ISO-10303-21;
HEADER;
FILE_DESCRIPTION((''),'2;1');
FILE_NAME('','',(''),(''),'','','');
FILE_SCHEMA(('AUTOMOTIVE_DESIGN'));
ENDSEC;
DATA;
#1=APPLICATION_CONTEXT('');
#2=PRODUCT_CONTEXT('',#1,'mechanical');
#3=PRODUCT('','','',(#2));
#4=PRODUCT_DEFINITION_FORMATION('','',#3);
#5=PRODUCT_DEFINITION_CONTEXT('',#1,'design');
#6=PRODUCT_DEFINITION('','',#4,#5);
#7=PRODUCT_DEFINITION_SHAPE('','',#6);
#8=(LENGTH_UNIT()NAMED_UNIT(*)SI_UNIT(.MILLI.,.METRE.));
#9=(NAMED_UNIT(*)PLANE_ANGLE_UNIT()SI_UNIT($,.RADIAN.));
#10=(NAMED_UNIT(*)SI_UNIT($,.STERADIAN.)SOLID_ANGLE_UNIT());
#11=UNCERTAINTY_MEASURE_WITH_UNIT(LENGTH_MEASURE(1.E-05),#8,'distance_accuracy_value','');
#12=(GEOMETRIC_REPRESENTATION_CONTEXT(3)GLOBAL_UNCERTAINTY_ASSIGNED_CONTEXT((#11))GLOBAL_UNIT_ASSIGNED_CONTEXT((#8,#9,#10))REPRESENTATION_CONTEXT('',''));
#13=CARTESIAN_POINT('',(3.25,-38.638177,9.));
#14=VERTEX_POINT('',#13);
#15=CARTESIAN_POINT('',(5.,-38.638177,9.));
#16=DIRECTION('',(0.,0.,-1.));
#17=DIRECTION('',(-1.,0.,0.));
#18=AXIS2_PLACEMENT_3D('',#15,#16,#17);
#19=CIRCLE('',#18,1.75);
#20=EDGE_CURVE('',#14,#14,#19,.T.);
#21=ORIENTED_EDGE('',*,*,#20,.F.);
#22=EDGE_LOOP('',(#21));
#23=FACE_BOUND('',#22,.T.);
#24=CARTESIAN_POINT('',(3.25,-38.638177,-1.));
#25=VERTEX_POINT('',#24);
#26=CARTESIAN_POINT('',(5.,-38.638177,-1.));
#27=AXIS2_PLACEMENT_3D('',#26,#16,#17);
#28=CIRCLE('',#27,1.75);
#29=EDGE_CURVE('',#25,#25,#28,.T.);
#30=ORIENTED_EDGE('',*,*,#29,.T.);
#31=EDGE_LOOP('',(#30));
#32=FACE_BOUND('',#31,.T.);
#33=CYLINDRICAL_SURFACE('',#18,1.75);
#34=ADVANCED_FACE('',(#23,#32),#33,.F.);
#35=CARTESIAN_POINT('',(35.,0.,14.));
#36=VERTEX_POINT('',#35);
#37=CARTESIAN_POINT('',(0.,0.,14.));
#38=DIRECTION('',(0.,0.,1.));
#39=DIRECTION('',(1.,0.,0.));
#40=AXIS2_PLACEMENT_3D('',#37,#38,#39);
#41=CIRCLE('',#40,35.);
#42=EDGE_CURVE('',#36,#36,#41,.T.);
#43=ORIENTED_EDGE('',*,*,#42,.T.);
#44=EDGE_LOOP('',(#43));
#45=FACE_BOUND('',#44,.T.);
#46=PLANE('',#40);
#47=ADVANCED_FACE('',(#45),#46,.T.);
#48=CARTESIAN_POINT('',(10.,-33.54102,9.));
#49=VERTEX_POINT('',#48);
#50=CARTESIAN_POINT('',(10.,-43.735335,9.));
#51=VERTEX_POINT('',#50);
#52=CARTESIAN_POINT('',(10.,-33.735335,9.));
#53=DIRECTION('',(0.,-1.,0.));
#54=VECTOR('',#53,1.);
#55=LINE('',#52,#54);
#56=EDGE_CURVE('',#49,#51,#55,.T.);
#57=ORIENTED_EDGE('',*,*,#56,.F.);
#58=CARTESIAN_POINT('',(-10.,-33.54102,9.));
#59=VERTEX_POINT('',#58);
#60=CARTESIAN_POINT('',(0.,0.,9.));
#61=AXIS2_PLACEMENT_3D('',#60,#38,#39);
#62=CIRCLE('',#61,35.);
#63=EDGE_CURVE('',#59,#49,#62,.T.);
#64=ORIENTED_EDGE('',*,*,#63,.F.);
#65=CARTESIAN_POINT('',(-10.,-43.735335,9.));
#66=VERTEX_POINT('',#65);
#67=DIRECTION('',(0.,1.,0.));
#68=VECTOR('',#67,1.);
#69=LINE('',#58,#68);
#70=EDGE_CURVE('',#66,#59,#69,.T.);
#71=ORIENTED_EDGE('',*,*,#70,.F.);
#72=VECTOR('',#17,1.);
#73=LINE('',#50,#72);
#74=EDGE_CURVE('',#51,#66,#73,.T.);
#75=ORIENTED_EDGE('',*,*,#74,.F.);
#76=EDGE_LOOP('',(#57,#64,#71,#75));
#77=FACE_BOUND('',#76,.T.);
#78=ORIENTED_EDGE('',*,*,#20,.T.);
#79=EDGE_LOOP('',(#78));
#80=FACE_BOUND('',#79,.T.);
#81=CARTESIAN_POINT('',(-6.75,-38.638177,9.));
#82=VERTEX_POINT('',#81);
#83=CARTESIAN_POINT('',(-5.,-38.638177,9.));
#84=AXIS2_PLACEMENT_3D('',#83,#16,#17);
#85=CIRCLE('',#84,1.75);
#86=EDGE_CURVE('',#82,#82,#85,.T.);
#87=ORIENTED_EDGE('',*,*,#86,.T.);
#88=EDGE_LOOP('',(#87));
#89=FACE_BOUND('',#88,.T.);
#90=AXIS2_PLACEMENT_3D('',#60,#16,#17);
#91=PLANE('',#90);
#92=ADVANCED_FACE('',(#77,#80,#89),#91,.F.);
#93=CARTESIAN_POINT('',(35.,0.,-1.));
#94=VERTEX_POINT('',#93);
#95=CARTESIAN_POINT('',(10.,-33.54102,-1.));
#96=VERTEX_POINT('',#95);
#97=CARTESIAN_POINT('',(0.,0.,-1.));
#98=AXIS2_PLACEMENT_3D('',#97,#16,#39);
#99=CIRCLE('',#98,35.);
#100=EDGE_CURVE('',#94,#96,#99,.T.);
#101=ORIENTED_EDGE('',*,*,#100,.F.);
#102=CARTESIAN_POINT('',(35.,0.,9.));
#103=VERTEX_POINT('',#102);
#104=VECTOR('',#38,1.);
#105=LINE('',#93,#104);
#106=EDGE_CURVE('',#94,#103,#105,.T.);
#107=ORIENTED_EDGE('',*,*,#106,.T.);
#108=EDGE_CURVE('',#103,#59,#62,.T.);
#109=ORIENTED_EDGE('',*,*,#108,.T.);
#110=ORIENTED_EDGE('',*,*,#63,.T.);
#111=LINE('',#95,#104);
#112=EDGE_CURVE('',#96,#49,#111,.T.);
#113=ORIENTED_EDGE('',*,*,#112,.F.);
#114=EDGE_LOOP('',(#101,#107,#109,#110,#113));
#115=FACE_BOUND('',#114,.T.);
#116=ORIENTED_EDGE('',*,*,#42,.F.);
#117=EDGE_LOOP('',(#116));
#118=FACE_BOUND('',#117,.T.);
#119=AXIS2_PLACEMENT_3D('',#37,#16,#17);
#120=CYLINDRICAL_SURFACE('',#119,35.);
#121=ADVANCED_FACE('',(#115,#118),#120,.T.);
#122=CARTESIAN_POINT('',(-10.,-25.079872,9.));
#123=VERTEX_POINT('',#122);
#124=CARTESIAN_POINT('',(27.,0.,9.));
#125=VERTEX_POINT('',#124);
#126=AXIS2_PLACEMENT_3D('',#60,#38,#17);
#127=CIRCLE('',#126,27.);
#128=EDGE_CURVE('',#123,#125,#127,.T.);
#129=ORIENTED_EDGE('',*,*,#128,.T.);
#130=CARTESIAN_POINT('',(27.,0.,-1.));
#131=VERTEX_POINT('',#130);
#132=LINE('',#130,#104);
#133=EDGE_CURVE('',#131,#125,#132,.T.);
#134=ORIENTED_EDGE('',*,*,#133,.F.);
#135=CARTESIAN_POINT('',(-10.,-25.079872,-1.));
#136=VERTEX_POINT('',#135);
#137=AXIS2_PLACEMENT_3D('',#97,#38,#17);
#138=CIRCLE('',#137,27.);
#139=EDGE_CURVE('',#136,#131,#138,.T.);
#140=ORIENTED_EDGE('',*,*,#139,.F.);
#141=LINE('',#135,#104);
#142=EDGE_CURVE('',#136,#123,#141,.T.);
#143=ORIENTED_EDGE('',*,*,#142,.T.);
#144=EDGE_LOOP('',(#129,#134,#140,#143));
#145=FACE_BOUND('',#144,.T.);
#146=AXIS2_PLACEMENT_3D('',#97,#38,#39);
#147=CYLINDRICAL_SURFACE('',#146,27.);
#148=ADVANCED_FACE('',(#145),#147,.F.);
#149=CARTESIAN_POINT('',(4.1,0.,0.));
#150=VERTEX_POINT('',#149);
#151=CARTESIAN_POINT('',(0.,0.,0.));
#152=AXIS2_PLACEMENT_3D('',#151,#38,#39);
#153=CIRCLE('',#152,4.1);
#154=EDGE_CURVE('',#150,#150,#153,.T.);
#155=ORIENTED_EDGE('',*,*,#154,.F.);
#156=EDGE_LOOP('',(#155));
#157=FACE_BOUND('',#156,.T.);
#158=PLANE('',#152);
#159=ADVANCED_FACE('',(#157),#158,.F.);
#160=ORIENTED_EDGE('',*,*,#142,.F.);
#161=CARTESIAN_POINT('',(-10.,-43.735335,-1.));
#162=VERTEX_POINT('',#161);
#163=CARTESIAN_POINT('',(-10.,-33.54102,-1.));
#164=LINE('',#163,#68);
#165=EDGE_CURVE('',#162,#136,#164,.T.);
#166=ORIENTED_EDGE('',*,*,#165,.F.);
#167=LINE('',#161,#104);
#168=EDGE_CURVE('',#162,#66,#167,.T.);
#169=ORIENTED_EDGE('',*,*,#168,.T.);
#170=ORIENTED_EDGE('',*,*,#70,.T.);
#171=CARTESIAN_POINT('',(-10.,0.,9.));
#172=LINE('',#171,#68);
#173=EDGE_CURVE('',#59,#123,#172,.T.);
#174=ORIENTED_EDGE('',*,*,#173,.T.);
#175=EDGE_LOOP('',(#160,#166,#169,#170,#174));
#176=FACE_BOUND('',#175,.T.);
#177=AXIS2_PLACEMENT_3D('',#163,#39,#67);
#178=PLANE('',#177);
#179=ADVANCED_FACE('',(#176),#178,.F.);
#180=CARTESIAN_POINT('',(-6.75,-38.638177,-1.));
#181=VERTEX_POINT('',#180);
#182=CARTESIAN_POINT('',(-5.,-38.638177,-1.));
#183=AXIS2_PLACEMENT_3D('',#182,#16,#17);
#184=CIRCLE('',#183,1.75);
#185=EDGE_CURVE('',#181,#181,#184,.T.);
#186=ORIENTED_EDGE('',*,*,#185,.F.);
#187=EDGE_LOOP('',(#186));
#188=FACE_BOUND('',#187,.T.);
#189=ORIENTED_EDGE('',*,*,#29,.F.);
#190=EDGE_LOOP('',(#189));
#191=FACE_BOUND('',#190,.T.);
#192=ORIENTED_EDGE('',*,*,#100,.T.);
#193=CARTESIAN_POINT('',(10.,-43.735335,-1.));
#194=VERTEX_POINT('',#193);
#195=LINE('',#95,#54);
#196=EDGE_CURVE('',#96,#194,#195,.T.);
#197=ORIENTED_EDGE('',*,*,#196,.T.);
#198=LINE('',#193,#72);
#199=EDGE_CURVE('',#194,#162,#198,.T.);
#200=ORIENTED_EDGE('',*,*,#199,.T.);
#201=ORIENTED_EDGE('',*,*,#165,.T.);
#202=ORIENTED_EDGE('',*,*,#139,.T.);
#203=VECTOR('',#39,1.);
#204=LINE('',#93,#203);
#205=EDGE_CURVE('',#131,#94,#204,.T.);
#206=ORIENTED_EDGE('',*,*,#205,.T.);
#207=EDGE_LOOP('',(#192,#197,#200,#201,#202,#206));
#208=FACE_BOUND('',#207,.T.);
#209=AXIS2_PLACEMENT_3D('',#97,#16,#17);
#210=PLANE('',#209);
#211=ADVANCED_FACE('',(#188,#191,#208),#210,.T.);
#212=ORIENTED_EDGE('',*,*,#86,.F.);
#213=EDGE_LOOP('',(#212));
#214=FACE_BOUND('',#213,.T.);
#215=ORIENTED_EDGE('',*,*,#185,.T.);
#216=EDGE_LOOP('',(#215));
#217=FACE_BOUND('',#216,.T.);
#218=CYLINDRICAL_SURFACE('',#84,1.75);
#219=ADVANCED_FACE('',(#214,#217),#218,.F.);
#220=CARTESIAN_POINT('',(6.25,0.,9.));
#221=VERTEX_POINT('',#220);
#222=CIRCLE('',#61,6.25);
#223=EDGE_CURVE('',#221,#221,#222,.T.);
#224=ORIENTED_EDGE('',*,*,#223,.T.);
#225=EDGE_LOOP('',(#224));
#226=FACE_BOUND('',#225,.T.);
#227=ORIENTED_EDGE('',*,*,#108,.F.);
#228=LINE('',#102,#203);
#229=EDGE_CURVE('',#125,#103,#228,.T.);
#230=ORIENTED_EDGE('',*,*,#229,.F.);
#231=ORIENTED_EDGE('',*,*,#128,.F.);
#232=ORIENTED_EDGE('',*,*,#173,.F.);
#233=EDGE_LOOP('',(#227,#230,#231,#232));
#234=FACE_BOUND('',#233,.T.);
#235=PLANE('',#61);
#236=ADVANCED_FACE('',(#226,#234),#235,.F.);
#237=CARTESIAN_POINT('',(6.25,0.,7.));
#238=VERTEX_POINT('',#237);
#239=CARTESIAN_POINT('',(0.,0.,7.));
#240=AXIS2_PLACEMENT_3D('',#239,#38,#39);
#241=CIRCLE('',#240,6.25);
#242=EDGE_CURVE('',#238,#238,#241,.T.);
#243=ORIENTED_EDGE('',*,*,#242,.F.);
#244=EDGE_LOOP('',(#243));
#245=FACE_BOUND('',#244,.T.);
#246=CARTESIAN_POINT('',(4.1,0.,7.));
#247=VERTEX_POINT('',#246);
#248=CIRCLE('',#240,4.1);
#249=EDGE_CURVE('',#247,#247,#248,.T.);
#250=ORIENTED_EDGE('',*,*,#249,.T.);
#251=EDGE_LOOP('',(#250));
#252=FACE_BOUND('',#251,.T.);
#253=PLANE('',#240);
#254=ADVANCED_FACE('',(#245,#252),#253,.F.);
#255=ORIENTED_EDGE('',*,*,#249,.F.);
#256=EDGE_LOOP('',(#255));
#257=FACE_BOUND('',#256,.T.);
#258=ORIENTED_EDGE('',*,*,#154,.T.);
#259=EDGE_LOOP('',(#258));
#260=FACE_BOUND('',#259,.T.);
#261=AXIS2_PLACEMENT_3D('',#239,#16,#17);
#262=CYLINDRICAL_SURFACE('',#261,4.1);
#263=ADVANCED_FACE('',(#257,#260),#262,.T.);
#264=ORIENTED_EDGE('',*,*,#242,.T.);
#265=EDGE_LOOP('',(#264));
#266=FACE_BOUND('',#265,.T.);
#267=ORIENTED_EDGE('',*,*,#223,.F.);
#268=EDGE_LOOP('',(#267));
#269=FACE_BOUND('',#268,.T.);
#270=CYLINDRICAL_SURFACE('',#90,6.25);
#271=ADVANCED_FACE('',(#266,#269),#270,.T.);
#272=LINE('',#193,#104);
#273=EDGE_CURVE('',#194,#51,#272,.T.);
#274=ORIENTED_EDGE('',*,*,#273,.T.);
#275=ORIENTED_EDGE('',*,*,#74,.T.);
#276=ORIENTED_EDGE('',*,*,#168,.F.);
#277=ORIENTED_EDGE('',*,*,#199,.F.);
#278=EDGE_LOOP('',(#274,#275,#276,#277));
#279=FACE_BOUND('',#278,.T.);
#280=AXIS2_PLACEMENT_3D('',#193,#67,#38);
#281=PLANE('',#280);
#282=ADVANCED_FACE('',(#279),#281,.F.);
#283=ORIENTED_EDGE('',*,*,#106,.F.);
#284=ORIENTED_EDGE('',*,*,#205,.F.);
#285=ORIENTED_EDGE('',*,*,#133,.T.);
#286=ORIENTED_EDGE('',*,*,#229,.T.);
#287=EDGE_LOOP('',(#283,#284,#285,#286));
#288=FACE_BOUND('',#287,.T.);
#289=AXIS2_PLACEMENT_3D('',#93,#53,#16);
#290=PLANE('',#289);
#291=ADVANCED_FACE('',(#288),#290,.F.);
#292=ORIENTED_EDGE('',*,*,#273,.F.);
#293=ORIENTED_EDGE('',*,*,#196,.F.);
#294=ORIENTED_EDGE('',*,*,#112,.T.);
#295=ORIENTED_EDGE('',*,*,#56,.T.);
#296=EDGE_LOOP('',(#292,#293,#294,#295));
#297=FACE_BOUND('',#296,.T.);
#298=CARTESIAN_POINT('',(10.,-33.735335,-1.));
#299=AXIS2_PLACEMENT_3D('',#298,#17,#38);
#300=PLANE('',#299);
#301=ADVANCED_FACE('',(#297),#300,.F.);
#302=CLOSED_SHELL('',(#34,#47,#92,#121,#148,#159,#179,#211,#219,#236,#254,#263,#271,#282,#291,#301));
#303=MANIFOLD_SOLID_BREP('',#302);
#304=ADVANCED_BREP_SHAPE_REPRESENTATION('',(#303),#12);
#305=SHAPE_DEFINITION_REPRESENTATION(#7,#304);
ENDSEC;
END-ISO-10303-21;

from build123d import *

# Parameters (mm, degrees)
SKETCH1_R               = 4.1
BOSS_EXTRUDE1_DEPTH     = 7
SKETCH2_R               = 6.25
BOSS_EXTRUDE2_DEPTH     = 2
SKETCH3_R               = 35
BOSS_EXTRUDE3_DEPTH     = 5
SKETCH4_R               = 25
BOSS_EXTRUDE4_DEPTH     = 5
SKETCH5_R               = 30
BOSS_EXTRUDE5_DEPTH     = 2
FILLET1_R               = 2
FILLET2_R               = 2
SKETCH6_R               = 1.5
CUT_EXTRUDE1_DEPTH      = 36
CUT_EXTRUDE1_DEPTH_BACK = 36
BOSS_EXTRUDE6_DEPTH     = 10
SKETCH9_R               = 1.75
CUT_EXTRUDE2_DEPTH      = 10
SKETCH10_R              = 52.509710967
CUT_EXTRUDE3_DEPTH      = 40


with BuildPart() as part:
    # Sketch1 → Boss-Extrude1 (new body)
    with BuildSketch(Plane.XY):
        Circle(SKETCH1_R)
    extrude(amount=BOSS_EXTRUDE1_DEPTH)

    # Sketch2 → Boss-Extrude2 (add)
    with BuildSketch(Plane.XY.offset(7)):
        Circle(SKETCH2_R)
    extrude(amount=BOSS_EXTRUDE2_DEPTH)

    # Sketch3 → Boss-Extrude3 (add)
    with BuildSketch(Plane.XY.offset(9)):
        Circle(SKETCH3_R)
    extrude(amount=BOSS_EXTRUDE3_DEPTH)

    # Sketch4 → Boss-Extrude4 (add)
    with BuildSketch(Plane.XY.offset(14)):
        Circle(SKETCH4_R)
    extrude(amount=BOSS_EXTRUDE4_DEPTH)

    # Sketch5 → Boss-Extrude5 (add)
    with BuildSketch(Plane.XY.offset(19)):
        Circle(SKETCH5_R)
    extrude(amount=BOSS_EXTRUDE5_DEPTH)

    # Fillet1
    fillet1_edges = [part.edges().sort_by_distance(p)[0] for p in [
        (-25, 0, 19),
    ]]
    fillet(fillet1_edges, radius=FILLET1_R)

    # Fillet2
    fillet2_edges = [part.edges().sort_by_distance(p)[0] for p in [
        (-25, 0, 14),
    ]]
    fillet(fillet2_edges, radius=FILLET2_R)

    # Sketch6 → Cut-Extrude1 (cut, two sides)
    with BuildSketch(Plane(origin=(0, 0, 0), x_dir=(1, 0, 0), z_dir=(0, 1, 0))) as cut_extrude1_sk:
        with Locations((0.008646323, -16.5)):
            Circle(SKETCH6_R)
    extrude(amount=CUT_EXTRUDE1_DEPTH, mode=Mode.SUBTRACT)
    extrude(cut_extrude1_sk.sketch, amount=-CUT_EXTRUDE1_DEPTH_BACK, mode=Mode.SUBTRACT)

    # Sketch7 → Boss-Extrude6 (add)
    with BuildSketch(Plane(origin=(0, 0, 9), x_dir=(-1, 0, 0), z_dir=(0, 0, -1))):
        with BuildLine():
            Line((10, -33.541019662), (10, -33.735334875))
            Line((10, -33.735334875), (10, -43.735334875))
            Line((10, -43.735334875), (-10, -43.735334875))
            Line((-10, -43.735334875), (-10, -33.735334875))
            Line((-10, -33.735334875), (-10, -33.541019662))
            ThreePointArc((-10, -33.541019662), (-28.062430401, -20.916500663), (-35, 0))
            Line((-35, 0), (-27, 0))
            ThreePointArc((-27, 0), (-15.149257408, -22.349496639), (10, -25.079872408))
            Line((10, -25.079872408), (10, -33.541019662))
        make_face()
    extrude(amount=BOSS_EXTRUDE6_DEPTH)

    # Sketch9 → Cut-Extrude2 (cut)
    with BuildSketch(Plane(origin=(0, 0, -1), x_dir=(-1, 0, 0), z_dir=(0, 0, -1))):
        with Locations((5, -38.638177269)):
            Circle(SKETCH9_R)
        with Locations((-5, -38.638177269)):
            Circle(SKETCH9_R)
    extrude(amount=-CUT_EXTRUDE2_DEPTH, mode=Mode.SUBTRACT)

    # Sketch10 → Cut-Extrude3 (cut)
    with BuildSketch(Plane.XY.offset(14)):
        Circle(SKETCH10_R)
    extrude(amount=CUT_EXTRUDE3_DEPTH, mode=Mode.SUBTRACT)


solid = part.part
